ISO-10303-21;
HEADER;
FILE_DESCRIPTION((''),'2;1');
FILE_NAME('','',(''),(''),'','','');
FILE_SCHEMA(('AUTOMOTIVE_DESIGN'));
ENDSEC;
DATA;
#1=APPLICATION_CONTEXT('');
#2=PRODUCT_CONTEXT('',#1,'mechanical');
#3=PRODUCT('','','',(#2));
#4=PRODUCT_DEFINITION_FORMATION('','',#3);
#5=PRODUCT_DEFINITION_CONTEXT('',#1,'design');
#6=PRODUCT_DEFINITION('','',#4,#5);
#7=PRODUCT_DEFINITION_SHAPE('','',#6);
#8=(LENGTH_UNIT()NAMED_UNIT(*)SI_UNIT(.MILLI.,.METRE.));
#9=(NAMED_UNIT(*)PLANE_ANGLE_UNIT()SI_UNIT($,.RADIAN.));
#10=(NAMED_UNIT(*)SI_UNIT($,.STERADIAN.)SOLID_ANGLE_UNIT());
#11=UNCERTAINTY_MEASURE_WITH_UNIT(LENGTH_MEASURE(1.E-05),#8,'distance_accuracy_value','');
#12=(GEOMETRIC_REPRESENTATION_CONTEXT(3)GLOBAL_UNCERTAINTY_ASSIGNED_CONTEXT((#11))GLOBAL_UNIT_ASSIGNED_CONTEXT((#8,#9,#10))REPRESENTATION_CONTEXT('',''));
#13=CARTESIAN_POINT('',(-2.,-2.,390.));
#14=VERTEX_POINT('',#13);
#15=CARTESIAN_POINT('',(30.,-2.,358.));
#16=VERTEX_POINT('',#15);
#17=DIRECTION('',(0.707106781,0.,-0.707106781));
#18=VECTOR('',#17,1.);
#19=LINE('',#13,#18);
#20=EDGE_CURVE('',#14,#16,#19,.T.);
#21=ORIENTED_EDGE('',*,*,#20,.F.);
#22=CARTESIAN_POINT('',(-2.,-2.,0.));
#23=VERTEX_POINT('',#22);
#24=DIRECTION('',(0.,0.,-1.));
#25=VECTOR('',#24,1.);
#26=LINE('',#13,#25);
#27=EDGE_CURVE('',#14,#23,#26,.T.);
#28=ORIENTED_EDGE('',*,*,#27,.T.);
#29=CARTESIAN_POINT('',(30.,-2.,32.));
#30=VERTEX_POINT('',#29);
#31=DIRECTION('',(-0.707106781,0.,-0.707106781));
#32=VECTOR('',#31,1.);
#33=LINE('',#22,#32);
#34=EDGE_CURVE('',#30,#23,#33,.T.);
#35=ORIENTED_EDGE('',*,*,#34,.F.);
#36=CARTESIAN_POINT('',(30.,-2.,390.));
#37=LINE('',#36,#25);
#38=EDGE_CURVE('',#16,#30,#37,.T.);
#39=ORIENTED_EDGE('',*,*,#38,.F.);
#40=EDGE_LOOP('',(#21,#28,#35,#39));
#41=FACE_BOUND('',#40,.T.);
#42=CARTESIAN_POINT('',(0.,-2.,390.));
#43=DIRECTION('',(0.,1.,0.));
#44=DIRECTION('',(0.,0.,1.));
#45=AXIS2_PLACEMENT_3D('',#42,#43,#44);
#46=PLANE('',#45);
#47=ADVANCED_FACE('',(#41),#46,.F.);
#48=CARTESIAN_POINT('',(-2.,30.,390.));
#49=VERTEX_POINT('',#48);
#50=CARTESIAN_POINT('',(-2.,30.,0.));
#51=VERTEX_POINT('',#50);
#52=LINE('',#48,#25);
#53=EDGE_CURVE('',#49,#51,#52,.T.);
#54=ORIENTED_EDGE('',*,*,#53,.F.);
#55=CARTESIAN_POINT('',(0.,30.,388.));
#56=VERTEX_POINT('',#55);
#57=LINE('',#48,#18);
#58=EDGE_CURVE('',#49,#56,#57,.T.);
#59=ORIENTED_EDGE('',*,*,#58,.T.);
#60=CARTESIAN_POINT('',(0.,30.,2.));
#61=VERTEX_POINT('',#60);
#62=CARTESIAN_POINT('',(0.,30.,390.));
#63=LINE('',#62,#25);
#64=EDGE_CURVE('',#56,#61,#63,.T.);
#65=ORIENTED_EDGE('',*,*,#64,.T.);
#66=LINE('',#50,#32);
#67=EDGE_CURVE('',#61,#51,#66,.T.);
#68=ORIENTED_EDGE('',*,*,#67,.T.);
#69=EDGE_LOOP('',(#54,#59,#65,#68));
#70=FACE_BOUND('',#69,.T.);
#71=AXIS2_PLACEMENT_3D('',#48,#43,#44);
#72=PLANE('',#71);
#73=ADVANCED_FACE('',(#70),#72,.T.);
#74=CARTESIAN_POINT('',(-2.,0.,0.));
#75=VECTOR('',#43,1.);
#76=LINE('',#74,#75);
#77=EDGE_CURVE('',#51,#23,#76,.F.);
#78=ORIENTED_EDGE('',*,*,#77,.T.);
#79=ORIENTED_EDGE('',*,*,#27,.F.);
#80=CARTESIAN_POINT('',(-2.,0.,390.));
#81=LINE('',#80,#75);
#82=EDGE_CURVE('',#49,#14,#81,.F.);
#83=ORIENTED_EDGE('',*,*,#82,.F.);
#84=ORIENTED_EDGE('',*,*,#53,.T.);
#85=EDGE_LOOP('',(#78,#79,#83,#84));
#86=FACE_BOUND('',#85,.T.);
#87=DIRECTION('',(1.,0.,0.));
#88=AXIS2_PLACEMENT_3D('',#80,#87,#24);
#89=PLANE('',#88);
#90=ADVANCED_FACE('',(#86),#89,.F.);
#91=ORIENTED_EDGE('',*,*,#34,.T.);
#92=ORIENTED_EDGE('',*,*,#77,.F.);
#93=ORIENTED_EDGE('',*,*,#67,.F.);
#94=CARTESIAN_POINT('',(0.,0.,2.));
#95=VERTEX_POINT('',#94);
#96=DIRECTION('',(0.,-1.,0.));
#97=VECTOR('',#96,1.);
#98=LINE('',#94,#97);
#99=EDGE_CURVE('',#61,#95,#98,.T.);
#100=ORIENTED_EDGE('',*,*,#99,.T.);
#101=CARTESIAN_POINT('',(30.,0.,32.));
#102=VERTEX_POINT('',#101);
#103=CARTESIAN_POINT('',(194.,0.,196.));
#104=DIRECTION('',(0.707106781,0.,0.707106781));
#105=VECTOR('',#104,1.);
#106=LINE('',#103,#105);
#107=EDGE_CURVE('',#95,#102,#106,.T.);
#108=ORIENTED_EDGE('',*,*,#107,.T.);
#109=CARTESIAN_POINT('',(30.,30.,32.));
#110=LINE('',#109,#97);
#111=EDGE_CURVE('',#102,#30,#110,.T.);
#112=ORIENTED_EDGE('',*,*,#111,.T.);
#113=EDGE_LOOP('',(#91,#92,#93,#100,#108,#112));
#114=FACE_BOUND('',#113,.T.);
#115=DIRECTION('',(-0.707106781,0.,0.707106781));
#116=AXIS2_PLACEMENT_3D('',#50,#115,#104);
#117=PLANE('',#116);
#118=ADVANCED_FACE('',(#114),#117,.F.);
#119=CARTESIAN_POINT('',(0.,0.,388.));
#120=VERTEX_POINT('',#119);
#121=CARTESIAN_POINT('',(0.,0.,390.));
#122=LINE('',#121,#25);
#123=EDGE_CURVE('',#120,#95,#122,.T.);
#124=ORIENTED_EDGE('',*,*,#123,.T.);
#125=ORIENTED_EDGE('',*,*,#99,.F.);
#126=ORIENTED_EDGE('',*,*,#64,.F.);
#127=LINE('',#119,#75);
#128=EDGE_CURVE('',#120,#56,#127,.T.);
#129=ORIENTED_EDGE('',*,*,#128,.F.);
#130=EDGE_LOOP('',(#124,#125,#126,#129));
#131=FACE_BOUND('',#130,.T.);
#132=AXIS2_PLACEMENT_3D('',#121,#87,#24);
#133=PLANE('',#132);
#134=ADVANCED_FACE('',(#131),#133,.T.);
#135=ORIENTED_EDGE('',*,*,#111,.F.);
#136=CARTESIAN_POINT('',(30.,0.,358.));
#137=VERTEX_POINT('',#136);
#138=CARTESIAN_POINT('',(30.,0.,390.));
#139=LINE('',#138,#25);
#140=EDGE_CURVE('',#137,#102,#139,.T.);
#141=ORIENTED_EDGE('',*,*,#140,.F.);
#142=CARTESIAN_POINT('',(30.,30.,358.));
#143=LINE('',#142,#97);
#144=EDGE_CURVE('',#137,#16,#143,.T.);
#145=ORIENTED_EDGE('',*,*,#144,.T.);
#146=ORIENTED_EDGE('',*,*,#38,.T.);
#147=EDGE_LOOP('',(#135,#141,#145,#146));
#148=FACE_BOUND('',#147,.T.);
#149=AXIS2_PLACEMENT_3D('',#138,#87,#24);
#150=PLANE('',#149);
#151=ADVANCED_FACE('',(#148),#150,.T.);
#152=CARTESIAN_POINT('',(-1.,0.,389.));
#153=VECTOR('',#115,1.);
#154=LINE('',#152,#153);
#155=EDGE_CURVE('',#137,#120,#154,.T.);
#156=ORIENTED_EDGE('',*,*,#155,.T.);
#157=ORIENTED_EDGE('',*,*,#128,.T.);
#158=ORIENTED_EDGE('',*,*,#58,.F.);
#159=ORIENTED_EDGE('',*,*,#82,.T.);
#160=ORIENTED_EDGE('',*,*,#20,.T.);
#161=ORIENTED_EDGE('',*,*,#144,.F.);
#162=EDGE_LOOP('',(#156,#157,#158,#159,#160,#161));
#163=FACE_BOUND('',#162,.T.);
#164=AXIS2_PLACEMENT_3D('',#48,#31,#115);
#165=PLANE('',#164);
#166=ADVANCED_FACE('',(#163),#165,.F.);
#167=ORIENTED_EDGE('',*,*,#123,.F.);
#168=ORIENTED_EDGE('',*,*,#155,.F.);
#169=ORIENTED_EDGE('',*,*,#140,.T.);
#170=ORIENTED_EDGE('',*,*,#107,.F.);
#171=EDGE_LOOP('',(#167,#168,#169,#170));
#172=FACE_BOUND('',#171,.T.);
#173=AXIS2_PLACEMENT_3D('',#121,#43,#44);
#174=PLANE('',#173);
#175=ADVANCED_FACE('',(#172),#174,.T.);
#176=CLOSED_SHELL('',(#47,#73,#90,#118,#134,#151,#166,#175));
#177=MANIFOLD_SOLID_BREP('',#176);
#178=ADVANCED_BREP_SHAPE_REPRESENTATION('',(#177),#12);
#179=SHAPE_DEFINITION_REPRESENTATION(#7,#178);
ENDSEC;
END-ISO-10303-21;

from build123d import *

# Parameters (mm, degrees)
EXTRUDE_THIN1_DEPTH = 390
CUT_EXTRUDE1_DEPTH  = 393.458915047


with BuildPart() as part:
    # Sketch1 → Extrude-Thin1 (new body)
    with BuildSketch(Plane.XY):
        Polygon((30, 0), (0, 0), (0, 30), (-2, 30), (-2, -2), (30, -2), align=None)
    extrude(amount=EXTRUDE_THIN1_DEPTH)

    # Sketch2 → Cut-Extrude1 (cut, through all)
    with BuildSketch(Plane.XZ.offset(2)):
        Polygon((-2, 0), (30, 32), (30, 0), align=None)
        Polygon((30, 358), (30, 390), (-2, 390), align=None)
    extrude(amount=-CUT_EXTRUDE1_DEPTH, mode=Mode.SUBTRACT)


solid = part.part
